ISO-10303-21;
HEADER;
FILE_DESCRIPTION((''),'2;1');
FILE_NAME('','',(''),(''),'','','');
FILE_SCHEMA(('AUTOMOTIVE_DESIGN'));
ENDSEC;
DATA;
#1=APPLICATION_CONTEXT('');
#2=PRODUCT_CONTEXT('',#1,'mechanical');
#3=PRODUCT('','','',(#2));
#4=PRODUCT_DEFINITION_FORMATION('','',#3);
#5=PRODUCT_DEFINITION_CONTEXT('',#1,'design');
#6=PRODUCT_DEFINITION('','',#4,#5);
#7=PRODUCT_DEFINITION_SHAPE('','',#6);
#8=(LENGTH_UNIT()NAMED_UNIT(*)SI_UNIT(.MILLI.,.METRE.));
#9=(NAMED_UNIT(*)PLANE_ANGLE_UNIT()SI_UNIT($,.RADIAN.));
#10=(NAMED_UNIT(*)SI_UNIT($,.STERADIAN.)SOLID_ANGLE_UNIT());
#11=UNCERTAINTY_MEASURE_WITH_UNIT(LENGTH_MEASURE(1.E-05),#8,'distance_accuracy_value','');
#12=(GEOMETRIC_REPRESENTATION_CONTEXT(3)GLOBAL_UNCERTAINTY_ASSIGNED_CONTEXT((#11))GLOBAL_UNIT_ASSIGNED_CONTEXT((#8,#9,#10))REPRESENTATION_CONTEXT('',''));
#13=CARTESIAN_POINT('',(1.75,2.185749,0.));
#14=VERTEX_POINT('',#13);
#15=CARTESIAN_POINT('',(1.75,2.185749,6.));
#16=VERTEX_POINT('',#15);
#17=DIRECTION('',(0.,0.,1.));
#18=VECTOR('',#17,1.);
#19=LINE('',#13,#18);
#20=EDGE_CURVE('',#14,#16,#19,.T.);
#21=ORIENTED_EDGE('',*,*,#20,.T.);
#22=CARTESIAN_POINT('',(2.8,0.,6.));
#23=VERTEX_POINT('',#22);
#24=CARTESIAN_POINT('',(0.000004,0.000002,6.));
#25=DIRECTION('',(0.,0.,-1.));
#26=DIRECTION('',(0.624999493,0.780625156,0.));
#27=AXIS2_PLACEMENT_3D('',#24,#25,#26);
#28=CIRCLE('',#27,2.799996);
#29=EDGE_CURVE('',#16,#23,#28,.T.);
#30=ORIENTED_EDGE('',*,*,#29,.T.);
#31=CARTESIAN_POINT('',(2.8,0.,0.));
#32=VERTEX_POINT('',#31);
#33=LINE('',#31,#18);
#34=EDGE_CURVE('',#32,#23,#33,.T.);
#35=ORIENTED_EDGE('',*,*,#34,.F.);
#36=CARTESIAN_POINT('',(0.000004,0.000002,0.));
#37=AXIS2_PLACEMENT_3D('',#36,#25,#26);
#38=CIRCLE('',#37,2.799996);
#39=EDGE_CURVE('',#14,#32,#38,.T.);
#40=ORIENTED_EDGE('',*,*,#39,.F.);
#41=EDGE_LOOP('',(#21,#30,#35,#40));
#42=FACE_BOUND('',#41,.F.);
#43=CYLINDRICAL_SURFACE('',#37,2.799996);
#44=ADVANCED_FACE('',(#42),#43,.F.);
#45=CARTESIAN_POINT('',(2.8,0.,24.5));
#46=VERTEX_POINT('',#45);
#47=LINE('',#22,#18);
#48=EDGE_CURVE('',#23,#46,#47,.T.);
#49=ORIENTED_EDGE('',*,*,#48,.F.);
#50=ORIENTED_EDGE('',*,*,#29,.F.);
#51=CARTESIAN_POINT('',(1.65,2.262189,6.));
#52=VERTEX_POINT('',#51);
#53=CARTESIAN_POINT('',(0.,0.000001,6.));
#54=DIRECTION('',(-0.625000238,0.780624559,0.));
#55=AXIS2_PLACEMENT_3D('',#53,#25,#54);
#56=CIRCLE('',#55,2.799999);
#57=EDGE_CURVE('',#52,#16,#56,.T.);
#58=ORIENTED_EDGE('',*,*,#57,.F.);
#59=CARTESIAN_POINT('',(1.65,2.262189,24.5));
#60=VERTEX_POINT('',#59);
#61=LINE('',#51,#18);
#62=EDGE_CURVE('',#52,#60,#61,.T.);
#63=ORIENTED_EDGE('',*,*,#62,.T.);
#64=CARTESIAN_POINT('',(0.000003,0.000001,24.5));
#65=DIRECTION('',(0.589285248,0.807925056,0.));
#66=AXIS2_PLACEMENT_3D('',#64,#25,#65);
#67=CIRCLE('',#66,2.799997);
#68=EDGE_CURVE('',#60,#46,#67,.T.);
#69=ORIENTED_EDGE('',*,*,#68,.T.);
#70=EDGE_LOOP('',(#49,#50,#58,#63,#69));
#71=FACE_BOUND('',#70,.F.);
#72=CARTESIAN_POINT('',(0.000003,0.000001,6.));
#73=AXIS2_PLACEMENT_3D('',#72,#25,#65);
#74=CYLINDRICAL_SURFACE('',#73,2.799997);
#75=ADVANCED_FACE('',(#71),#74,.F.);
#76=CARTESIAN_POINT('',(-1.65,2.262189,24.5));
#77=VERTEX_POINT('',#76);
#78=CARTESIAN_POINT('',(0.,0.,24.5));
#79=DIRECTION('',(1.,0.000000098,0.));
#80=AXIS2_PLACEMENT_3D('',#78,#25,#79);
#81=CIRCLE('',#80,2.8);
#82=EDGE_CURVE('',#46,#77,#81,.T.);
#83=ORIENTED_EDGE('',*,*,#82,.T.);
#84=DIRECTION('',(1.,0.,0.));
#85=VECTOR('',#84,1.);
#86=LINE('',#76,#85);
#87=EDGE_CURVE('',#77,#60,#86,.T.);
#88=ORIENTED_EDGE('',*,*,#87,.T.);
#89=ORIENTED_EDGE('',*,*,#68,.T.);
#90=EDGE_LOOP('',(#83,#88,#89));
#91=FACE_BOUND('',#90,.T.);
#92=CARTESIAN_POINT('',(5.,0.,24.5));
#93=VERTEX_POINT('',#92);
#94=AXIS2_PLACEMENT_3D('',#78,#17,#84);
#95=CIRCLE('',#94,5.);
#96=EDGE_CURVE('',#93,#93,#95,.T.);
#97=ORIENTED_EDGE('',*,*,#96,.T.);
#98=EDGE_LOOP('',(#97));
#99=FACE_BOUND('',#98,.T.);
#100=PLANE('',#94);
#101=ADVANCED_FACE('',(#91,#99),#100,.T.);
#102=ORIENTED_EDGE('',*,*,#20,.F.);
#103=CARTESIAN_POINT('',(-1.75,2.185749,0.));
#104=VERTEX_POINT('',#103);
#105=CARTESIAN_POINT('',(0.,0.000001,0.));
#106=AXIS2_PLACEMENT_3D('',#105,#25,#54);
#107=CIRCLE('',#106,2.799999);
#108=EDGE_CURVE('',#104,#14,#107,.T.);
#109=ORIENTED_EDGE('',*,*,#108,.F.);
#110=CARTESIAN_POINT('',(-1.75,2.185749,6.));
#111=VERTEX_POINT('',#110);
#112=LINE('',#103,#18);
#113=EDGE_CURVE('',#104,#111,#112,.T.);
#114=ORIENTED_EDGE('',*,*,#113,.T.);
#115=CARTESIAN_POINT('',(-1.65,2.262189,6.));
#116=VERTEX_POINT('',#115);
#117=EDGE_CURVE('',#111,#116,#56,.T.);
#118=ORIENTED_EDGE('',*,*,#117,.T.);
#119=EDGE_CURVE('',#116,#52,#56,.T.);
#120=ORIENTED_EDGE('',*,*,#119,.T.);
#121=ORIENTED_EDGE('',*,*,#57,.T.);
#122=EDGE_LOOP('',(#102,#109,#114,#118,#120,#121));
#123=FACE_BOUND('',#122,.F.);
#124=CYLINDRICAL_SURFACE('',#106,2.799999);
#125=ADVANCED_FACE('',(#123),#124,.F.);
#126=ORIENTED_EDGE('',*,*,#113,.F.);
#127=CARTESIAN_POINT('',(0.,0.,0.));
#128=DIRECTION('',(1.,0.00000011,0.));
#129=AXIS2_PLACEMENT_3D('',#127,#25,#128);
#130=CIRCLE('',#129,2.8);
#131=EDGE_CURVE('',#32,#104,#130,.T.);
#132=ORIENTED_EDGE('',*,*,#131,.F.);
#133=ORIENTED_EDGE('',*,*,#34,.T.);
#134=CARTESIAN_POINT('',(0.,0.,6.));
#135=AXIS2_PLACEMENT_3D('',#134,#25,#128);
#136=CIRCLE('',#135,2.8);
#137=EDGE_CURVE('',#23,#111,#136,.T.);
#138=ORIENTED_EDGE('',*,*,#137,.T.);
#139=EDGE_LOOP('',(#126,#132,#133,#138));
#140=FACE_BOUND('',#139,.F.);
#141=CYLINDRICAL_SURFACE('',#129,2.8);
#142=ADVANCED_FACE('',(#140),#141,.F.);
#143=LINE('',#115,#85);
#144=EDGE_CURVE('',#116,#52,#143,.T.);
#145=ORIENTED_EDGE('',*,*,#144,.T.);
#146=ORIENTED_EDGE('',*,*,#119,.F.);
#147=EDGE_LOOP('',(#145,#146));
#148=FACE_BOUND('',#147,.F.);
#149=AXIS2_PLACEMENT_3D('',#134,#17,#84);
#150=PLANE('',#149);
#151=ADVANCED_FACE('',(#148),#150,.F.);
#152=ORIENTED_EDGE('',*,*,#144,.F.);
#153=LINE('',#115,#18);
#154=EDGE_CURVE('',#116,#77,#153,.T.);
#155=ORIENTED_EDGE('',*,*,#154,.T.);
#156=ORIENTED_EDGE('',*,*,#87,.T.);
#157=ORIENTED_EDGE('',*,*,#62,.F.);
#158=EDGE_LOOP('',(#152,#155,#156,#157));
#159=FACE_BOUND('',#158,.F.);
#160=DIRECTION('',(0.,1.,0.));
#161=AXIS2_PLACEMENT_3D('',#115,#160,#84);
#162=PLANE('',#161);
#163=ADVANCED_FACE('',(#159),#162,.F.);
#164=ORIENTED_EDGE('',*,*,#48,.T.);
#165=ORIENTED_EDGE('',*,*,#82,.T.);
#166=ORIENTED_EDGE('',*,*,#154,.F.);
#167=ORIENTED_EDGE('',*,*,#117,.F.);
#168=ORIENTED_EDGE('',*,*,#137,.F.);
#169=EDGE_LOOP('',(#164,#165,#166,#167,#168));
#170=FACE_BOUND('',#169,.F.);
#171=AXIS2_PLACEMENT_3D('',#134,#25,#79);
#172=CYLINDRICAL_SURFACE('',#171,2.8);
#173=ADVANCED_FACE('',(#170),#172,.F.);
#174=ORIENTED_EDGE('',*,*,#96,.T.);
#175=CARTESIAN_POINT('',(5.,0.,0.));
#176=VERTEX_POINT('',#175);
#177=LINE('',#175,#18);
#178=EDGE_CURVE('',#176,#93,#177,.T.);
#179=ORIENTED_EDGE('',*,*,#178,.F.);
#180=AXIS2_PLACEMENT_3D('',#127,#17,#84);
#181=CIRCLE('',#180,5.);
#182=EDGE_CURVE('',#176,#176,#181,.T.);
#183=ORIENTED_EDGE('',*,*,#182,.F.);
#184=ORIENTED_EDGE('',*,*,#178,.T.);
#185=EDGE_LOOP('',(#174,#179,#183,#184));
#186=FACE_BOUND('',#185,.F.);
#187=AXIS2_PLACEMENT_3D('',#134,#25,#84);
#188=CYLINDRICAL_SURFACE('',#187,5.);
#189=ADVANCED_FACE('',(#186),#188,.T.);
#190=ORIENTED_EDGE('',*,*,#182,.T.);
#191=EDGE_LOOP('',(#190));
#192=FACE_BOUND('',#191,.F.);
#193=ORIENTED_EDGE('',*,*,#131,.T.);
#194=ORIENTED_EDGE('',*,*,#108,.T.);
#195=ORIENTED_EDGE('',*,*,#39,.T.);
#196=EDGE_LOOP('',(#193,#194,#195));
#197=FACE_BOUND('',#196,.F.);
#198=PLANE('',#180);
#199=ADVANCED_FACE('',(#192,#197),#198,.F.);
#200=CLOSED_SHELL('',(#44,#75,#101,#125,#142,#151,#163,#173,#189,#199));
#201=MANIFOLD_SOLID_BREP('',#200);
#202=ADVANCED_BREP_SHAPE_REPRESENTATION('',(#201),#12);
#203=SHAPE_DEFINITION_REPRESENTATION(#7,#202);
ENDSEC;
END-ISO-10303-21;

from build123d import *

# Parameters (mm, degrees)
F0_R     = 5
F1_DEPTH = 6
F2_R     = 5
F3_DEPTH = 18.5


with BuildPart() as f1:
    # F0 (on Top) → F1 (new body)
    with BuildSketch(Plane.XY):
        Circle(F0_R)
        with BuildLine():
            ThreePointArc((1.75, 2.185749), (2.523886, 1.212436), (2.8, 0))
            ThreePointArc((2.8, 0), (-1.212436, -2.523886), (-1.75, 2.185749))
            ThreePointArc((-1.75, 2.185749), (0, 2.8), (1.75, 2.185749))
        make_face(mode=Mode.SUBTRACT)
    extrude(amount=F1_DEPTH)

    # F2 (on face) → F3 (join)
    with BuildSketch(Plane.XY.offset(6)):
        Circle(F2_R)
        with BuildLine():
            ThreePointArc((2.8, 0), (-1.268858, -2.495997), (-1.65, 2.262189))
            ThreePointArc((-1.65, 2.262189), (0, 2.8), (1.65, 2.262189))
            ThreePointArc((1.65, 2.262189), (2.495997, 1.268858), (2.8, 0))
        make_face(mode=Mode.SUBTRACT)
        with BuildLine():
            ThreePointArc((1.65, 2.262189), (0, 2.8), (-1.65, 2.262189))
            Line((-1.65, 2.262189), (1.65, 2.262189))
        make_face()
    extrude(amount=F3_DEPTH)


solid = f1.part
